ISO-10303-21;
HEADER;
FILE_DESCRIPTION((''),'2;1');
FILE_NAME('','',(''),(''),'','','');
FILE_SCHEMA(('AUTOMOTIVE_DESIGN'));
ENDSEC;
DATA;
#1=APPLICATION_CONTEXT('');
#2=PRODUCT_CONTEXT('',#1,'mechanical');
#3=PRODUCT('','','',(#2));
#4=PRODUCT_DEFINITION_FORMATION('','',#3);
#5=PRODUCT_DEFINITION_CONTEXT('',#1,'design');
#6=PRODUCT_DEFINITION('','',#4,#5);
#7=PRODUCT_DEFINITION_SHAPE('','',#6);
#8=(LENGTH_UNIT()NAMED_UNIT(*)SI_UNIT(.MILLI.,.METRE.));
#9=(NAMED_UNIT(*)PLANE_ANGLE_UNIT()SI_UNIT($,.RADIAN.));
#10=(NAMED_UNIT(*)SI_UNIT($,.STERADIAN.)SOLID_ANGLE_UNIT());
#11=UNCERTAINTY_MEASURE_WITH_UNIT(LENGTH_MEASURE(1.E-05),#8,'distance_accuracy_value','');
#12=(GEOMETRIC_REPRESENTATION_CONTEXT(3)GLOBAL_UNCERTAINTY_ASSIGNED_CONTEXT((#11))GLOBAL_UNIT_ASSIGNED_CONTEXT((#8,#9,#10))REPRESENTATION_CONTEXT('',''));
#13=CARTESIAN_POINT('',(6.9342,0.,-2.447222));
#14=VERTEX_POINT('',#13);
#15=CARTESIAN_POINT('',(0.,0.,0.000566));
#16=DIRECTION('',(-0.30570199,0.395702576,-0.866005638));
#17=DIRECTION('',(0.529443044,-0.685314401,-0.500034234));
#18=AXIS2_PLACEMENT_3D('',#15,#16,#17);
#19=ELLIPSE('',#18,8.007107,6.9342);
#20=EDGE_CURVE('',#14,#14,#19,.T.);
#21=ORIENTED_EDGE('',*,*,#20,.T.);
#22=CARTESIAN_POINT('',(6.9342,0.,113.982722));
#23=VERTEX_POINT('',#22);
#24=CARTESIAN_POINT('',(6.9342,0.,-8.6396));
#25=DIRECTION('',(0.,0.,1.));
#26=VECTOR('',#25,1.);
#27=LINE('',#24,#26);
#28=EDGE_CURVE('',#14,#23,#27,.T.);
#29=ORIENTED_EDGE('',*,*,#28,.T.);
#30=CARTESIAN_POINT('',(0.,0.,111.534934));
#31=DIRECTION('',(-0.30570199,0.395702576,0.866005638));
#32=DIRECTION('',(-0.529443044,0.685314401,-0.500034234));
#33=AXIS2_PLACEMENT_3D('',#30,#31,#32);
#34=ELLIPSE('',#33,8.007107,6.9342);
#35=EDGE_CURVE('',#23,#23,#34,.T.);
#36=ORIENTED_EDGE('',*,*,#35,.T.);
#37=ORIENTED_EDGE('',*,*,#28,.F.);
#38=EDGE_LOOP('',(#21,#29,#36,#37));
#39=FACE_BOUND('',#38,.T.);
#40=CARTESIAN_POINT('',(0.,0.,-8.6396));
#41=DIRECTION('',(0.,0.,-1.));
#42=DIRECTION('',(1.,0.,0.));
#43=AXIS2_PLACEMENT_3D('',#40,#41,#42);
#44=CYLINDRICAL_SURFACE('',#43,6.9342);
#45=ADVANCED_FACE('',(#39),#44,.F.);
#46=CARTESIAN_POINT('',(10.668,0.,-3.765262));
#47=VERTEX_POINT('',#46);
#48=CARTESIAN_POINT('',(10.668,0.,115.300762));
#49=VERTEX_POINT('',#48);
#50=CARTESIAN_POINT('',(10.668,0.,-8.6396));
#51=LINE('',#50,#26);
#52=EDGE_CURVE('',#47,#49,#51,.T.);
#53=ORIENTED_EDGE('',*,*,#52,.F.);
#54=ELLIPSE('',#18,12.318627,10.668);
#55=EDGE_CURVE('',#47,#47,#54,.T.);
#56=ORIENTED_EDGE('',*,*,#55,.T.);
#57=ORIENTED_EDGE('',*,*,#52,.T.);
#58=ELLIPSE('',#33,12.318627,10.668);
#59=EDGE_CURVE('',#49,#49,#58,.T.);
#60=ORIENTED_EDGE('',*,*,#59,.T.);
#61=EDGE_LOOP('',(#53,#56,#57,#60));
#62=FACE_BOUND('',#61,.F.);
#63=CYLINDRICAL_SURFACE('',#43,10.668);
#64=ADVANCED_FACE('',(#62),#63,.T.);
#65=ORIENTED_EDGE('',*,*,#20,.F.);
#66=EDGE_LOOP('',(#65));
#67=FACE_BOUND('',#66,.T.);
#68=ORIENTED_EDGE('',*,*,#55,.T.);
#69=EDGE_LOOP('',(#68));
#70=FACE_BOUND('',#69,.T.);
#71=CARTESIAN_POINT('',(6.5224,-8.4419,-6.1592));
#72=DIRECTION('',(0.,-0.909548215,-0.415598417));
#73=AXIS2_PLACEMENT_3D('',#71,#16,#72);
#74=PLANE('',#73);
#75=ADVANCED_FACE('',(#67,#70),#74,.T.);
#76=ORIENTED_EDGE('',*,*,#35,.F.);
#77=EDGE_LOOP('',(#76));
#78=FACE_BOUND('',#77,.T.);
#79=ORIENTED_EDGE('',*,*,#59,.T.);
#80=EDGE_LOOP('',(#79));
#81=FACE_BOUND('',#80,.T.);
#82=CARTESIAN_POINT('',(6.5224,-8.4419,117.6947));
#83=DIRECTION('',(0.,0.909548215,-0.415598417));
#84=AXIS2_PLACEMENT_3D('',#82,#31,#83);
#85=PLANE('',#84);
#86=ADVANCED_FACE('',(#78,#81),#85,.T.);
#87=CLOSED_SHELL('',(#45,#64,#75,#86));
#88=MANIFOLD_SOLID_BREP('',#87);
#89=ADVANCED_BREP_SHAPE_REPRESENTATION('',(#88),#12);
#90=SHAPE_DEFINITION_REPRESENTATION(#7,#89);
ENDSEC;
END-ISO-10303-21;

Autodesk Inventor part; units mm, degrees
ref_plane "Start Plane" through (0, 0, -8.6396) normal (0, 0, 1) x (1, 0, 0)
ref_plane "End Plane" through (0, 0, 120.1752) normal (0, 0, 1) x (1, 0, 0)
sketch "Sketch" plane through (0, 0, 0) normal (0, 0, 1) x (1, 0, 0)
  circle A0 centre (0, 0) radius 6.9342
  circle A1 centre (0, 0) radius 10.668
  dimension "d0" = 21.336
  dimension "d1" = 3.7338
extrude "Body" add sketch "Sketch" along normal up to surface (128.8148 mm away) from surface at -8.6396
sketch "Sketch3" plane through (0, 0, 0) normal (0, 0, 1) x (1, 0, 0)
  line L0 (0, 0) -> (10, 0)
ref_plane "Work Plane3" through (0, 0, 0) normal (0, -1, 0) x (1, 0, 0)
sketch "Sketch4" plane through (0, 0, 0) normal (0, -1, 0) x (1, 0, 0)
  line L0 (-2, -8.6396) -> (12, -8.6396)
  line L1 (-2, 120.1752) -> (12, 120.1752)
  dimension "d7" = 128.8148
ref_plane "Work Plane4" through (6.5224, -8.4419, 117.6947) normal (-0.3057, 0.3957, 0.866) x (0.9499, 0.0648, 0.3057)
split "Split1" plane through (6.5224, -8.4419, 117.6947) removes the side toward (-0.3057, 0.3957, 0.866)
ref_plane "Work Plane5" through (6.5224, -8.4419, -6.1592) normal (-0.3057, 0.3957, -0.866) x (0.3025, 0.9028, 0.3057)
split "Split2" plane through (6.5224, -8.4419, -6.1592) removes the side toward (-0.3057, 0.3957, -0.866)
equation "\"d0\" = G_H"
equation "\"d1\" = G_T"
equation "\"d2\" = G_L"
equation "\"G_H\" = 21.336"
equation "\"G_T\" = 3.7338"
equation "\"G_L\" = 123.85392"
equation "\"G_OFFSET_START\" = 8.6396"
equation "\"G_OFFSET_END\" = 8.6396"
equation "\"d4\" = -G_OFFSET_START"
equation "\"d5\" = G_OFFSET_END + B_L"
equation "\"B_L\" = 111.53557"
properties part number "ANSI - 1/2 x 0.147 - 4.876" material "Steel, Mild"
